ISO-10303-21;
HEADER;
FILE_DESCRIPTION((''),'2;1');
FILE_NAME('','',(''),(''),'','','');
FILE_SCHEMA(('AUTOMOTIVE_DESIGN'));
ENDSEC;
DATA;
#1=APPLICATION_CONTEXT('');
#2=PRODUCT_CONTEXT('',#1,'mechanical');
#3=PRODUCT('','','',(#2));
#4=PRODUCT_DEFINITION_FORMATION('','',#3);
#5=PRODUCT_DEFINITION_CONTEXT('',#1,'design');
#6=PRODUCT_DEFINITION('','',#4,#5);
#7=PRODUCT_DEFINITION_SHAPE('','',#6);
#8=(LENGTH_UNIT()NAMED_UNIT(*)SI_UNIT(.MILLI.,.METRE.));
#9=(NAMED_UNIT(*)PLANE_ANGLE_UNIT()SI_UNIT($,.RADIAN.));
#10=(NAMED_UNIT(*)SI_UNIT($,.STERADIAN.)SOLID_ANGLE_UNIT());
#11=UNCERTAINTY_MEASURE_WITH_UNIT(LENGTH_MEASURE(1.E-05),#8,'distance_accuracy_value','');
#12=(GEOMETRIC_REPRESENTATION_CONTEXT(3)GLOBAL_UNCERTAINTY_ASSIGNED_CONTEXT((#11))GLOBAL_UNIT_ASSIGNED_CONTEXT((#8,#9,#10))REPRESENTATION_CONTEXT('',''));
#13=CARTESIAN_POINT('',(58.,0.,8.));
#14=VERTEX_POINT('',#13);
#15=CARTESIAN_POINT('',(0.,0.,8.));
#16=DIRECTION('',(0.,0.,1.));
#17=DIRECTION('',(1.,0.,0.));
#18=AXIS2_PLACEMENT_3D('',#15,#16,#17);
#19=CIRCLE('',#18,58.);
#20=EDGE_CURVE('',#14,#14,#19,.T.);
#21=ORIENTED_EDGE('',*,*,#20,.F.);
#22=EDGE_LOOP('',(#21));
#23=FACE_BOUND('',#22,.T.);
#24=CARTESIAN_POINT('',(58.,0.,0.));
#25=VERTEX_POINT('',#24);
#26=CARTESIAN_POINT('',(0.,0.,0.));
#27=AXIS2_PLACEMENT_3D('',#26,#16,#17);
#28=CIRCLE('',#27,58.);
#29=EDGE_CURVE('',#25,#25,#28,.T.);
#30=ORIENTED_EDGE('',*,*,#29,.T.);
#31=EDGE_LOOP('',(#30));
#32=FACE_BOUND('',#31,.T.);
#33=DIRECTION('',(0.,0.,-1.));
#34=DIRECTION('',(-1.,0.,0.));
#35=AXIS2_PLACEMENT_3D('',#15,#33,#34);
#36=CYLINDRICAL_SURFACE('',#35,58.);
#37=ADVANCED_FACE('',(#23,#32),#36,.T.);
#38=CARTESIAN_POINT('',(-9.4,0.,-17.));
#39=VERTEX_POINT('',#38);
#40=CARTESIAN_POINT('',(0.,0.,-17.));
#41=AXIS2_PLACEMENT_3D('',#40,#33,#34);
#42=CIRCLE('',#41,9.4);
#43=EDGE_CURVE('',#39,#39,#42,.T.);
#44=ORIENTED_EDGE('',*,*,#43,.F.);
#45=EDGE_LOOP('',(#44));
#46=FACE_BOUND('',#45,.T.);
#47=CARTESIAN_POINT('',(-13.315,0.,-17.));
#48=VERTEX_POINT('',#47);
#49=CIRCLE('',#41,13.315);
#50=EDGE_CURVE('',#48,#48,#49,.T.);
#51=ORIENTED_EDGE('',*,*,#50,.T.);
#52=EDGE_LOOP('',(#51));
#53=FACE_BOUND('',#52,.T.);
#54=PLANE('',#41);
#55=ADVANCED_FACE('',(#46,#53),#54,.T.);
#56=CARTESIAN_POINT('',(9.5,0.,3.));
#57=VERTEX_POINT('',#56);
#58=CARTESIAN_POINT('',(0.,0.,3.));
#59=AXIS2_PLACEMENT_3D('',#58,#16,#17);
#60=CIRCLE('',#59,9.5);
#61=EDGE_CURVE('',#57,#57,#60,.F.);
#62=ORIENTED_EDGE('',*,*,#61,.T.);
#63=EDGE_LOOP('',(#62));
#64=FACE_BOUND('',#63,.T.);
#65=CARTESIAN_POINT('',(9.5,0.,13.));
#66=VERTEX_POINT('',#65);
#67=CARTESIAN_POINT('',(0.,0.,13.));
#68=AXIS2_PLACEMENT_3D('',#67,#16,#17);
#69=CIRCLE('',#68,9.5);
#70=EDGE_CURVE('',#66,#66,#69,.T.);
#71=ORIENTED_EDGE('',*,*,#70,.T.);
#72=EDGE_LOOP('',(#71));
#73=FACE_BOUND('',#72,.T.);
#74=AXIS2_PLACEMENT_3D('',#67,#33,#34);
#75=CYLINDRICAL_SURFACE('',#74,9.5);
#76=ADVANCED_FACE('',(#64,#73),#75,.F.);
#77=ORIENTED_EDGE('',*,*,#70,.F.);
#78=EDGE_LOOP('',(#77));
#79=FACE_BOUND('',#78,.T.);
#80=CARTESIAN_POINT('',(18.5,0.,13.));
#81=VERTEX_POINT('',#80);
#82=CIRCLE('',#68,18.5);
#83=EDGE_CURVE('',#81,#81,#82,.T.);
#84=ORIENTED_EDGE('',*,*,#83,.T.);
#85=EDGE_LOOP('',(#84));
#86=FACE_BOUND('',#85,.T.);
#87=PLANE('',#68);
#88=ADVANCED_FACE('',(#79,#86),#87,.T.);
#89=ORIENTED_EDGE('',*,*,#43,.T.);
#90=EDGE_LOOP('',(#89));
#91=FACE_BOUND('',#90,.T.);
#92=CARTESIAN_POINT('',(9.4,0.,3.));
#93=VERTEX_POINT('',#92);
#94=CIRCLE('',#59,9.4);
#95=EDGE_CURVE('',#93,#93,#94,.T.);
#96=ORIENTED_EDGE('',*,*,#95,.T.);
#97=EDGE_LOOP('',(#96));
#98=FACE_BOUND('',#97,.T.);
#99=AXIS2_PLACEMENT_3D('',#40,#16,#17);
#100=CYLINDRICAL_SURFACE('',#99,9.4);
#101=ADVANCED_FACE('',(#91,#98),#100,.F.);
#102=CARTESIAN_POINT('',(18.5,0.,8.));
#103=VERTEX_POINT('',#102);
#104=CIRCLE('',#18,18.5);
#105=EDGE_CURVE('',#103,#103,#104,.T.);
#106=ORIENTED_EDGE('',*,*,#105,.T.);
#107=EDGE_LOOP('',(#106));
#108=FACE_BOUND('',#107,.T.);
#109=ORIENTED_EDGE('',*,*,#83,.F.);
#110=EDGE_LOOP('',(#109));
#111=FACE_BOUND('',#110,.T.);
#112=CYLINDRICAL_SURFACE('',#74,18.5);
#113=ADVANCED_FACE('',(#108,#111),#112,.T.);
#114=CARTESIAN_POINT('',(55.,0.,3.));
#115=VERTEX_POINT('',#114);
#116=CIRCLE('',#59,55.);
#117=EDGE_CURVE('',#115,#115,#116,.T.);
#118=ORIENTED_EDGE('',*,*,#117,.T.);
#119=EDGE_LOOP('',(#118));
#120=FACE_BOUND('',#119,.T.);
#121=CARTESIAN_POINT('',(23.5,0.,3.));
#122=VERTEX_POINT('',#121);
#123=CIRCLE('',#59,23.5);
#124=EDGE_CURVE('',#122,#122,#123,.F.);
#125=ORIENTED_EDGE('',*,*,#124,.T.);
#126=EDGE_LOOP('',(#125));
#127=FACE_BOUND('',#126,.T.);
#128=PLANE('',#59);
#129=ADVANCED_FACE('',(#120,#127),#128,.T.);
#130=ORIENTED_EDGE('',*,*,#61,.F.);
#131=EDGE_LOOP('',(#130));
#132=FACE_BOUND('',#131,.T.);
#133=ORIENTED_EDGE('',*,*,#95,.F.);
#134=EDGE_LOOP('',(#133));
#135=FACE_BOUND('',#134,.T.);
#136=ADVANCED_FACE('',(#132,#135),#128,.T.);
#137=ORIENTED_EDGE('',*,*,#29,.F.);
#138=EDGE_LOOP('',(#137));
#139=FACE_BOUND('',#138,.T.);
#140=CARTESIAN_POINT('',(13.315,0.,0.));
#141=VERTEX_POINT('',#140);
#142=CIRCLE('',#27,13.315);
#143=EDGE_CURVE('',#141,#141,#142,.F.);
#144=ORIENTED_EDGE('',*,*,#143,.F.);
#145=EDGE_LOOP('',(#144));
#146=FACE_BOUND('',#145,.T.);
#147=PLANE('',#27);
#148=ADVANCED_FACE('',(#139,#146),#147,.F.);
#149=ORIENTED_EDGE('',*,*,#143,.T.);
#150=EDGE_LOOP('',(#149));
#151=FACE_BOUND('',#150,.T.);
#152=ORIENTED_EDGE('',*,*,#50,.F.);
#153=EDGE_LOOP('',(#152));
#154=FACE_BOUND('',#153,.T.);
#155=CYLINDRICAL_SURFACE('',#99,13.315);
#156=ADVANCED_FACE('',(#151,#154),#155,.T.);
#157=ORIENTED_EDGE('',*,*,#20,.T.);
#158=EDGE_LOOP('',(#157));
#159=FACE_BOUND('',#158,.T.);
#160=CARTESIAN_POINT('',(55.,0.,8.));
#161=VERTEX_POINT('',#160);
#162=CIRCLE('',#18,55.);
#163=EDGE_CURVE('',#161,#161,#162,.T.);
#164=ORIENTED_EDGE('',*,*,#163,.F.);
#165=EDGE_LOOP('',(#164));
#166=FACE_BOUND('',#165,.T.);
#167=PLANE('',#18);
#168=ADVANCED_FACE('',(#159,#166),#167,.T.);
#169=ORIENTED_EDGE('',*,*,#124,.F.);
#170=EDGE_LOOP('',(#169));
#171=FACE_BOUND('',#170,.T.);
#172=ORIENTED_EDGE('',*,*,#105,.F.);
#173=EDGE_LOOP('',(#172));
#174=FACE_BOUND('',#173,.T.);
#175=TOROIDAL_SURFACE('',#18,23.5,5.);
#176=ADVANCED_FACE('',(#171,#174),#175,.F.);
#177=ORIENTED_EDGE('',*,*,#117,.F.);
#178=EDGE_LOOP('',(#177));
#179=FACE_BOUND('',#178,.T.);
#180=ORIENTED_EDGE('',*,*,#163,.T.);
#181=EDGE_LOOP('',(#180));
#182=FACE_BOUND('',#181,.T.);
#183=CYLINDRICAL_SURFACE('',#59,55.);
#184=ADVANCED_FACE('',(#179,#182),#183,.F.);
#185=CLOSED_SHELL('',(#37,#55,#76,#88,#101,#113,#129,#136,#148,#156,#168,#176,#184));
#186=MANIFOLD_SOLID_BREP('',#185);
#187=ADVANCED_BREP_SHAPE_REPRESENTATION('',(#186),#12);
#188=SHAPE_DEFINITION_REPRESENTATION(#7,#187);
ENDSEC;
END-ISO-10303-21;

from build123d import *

# Parameters (mm, degrees)
SKETCH1_R           = 58
BOSS_EXTRUDE1_DEPTH = 8
SKETCH2_R           = 55
CUT_EXTRUDE1_DEPTH  = 5
SKETCH3_R           = 18.5
SKETCH3_R_2         = 9.5
BOSS_EXTRUDE2_DEPTH = 10
FILLET1_R           = 5
SKETCH4_R           = 13.315
SKETCH4_R_2         = 9.4
BOSS_EXTRUDE3_DEPTH = 17
CUT_EXTRUDE2_START  = -17
SKETCH5_R           = 9.4
CUT_EXTRUDE2_DEPTH  = 17


with BuildPart() as part:
    # Sketch1 → Boss-Extrude1 (new body)
    with BuildSketch(Plane.XY):
        Circle(SKETCH1_R)
    extrude(amount=BOSS_EXTRUDE1_DEPTH)

    # Sketch2 → Cut-Extrude1 (cut)
    with BuildSketch(Plane.XY.offset(8)):
        Circle(SKETCH2_R)
    extrude(amount=-CUT_EXTRUDE1_DEPTH, mode=Mode.SUBTRACT)

    # Sketch3 → Boss-Extrude2 (add)
    with BuildSketch(Plane.XY.offset(3)):
        Circle(SKETCH3_R)
        Circle(SKETCH3_R_2, mode=Mode.SUBTRACT)
    extrude(amount=BOSS_EXTRUDE2_DEPTH)

    # Fillet1
    fillet1_edges = [part.edges().sort_by_distance(p)[0] for p in [
        (-18.5, 0, 3),
    ]]
    fillet(fillet1_edges, radius=FILLET1_R)

    # Sketch4 → Boss-Extrude3 (add)
    with BuildSketch(Plane(origin=(0, 0, 0), x_dir=(-1, 0, 0), z_dir=(0, 0, -1))):
        with Locations(Location((0, 0, 0), (0, 0, 180))):
            Circle(SKETCH4_R)
        Circle(SKETCH4_R_2, mode=Mode.SUBTRACT)
    extrude(amount=BOSS_EXTRUDE3_DEPTH)

    # Sketch5 → Cut-Extrude2 (cut)
    with BuildSketch(Plane(origin=(0, 0, 0), x_dir=(-1, 0, 0), z_dir=(0, 0, -1)).offset(CUT_EXTRUDE2_START)):
        with Locations(Location((0, 0, 0), (0, 0, 180))):
            Circle(SKETCH5_R)
    extrude(amount=CUT_EXTRUDE2_DEPTH, mode=Mode.SUBTRACT)


solid = part.part
